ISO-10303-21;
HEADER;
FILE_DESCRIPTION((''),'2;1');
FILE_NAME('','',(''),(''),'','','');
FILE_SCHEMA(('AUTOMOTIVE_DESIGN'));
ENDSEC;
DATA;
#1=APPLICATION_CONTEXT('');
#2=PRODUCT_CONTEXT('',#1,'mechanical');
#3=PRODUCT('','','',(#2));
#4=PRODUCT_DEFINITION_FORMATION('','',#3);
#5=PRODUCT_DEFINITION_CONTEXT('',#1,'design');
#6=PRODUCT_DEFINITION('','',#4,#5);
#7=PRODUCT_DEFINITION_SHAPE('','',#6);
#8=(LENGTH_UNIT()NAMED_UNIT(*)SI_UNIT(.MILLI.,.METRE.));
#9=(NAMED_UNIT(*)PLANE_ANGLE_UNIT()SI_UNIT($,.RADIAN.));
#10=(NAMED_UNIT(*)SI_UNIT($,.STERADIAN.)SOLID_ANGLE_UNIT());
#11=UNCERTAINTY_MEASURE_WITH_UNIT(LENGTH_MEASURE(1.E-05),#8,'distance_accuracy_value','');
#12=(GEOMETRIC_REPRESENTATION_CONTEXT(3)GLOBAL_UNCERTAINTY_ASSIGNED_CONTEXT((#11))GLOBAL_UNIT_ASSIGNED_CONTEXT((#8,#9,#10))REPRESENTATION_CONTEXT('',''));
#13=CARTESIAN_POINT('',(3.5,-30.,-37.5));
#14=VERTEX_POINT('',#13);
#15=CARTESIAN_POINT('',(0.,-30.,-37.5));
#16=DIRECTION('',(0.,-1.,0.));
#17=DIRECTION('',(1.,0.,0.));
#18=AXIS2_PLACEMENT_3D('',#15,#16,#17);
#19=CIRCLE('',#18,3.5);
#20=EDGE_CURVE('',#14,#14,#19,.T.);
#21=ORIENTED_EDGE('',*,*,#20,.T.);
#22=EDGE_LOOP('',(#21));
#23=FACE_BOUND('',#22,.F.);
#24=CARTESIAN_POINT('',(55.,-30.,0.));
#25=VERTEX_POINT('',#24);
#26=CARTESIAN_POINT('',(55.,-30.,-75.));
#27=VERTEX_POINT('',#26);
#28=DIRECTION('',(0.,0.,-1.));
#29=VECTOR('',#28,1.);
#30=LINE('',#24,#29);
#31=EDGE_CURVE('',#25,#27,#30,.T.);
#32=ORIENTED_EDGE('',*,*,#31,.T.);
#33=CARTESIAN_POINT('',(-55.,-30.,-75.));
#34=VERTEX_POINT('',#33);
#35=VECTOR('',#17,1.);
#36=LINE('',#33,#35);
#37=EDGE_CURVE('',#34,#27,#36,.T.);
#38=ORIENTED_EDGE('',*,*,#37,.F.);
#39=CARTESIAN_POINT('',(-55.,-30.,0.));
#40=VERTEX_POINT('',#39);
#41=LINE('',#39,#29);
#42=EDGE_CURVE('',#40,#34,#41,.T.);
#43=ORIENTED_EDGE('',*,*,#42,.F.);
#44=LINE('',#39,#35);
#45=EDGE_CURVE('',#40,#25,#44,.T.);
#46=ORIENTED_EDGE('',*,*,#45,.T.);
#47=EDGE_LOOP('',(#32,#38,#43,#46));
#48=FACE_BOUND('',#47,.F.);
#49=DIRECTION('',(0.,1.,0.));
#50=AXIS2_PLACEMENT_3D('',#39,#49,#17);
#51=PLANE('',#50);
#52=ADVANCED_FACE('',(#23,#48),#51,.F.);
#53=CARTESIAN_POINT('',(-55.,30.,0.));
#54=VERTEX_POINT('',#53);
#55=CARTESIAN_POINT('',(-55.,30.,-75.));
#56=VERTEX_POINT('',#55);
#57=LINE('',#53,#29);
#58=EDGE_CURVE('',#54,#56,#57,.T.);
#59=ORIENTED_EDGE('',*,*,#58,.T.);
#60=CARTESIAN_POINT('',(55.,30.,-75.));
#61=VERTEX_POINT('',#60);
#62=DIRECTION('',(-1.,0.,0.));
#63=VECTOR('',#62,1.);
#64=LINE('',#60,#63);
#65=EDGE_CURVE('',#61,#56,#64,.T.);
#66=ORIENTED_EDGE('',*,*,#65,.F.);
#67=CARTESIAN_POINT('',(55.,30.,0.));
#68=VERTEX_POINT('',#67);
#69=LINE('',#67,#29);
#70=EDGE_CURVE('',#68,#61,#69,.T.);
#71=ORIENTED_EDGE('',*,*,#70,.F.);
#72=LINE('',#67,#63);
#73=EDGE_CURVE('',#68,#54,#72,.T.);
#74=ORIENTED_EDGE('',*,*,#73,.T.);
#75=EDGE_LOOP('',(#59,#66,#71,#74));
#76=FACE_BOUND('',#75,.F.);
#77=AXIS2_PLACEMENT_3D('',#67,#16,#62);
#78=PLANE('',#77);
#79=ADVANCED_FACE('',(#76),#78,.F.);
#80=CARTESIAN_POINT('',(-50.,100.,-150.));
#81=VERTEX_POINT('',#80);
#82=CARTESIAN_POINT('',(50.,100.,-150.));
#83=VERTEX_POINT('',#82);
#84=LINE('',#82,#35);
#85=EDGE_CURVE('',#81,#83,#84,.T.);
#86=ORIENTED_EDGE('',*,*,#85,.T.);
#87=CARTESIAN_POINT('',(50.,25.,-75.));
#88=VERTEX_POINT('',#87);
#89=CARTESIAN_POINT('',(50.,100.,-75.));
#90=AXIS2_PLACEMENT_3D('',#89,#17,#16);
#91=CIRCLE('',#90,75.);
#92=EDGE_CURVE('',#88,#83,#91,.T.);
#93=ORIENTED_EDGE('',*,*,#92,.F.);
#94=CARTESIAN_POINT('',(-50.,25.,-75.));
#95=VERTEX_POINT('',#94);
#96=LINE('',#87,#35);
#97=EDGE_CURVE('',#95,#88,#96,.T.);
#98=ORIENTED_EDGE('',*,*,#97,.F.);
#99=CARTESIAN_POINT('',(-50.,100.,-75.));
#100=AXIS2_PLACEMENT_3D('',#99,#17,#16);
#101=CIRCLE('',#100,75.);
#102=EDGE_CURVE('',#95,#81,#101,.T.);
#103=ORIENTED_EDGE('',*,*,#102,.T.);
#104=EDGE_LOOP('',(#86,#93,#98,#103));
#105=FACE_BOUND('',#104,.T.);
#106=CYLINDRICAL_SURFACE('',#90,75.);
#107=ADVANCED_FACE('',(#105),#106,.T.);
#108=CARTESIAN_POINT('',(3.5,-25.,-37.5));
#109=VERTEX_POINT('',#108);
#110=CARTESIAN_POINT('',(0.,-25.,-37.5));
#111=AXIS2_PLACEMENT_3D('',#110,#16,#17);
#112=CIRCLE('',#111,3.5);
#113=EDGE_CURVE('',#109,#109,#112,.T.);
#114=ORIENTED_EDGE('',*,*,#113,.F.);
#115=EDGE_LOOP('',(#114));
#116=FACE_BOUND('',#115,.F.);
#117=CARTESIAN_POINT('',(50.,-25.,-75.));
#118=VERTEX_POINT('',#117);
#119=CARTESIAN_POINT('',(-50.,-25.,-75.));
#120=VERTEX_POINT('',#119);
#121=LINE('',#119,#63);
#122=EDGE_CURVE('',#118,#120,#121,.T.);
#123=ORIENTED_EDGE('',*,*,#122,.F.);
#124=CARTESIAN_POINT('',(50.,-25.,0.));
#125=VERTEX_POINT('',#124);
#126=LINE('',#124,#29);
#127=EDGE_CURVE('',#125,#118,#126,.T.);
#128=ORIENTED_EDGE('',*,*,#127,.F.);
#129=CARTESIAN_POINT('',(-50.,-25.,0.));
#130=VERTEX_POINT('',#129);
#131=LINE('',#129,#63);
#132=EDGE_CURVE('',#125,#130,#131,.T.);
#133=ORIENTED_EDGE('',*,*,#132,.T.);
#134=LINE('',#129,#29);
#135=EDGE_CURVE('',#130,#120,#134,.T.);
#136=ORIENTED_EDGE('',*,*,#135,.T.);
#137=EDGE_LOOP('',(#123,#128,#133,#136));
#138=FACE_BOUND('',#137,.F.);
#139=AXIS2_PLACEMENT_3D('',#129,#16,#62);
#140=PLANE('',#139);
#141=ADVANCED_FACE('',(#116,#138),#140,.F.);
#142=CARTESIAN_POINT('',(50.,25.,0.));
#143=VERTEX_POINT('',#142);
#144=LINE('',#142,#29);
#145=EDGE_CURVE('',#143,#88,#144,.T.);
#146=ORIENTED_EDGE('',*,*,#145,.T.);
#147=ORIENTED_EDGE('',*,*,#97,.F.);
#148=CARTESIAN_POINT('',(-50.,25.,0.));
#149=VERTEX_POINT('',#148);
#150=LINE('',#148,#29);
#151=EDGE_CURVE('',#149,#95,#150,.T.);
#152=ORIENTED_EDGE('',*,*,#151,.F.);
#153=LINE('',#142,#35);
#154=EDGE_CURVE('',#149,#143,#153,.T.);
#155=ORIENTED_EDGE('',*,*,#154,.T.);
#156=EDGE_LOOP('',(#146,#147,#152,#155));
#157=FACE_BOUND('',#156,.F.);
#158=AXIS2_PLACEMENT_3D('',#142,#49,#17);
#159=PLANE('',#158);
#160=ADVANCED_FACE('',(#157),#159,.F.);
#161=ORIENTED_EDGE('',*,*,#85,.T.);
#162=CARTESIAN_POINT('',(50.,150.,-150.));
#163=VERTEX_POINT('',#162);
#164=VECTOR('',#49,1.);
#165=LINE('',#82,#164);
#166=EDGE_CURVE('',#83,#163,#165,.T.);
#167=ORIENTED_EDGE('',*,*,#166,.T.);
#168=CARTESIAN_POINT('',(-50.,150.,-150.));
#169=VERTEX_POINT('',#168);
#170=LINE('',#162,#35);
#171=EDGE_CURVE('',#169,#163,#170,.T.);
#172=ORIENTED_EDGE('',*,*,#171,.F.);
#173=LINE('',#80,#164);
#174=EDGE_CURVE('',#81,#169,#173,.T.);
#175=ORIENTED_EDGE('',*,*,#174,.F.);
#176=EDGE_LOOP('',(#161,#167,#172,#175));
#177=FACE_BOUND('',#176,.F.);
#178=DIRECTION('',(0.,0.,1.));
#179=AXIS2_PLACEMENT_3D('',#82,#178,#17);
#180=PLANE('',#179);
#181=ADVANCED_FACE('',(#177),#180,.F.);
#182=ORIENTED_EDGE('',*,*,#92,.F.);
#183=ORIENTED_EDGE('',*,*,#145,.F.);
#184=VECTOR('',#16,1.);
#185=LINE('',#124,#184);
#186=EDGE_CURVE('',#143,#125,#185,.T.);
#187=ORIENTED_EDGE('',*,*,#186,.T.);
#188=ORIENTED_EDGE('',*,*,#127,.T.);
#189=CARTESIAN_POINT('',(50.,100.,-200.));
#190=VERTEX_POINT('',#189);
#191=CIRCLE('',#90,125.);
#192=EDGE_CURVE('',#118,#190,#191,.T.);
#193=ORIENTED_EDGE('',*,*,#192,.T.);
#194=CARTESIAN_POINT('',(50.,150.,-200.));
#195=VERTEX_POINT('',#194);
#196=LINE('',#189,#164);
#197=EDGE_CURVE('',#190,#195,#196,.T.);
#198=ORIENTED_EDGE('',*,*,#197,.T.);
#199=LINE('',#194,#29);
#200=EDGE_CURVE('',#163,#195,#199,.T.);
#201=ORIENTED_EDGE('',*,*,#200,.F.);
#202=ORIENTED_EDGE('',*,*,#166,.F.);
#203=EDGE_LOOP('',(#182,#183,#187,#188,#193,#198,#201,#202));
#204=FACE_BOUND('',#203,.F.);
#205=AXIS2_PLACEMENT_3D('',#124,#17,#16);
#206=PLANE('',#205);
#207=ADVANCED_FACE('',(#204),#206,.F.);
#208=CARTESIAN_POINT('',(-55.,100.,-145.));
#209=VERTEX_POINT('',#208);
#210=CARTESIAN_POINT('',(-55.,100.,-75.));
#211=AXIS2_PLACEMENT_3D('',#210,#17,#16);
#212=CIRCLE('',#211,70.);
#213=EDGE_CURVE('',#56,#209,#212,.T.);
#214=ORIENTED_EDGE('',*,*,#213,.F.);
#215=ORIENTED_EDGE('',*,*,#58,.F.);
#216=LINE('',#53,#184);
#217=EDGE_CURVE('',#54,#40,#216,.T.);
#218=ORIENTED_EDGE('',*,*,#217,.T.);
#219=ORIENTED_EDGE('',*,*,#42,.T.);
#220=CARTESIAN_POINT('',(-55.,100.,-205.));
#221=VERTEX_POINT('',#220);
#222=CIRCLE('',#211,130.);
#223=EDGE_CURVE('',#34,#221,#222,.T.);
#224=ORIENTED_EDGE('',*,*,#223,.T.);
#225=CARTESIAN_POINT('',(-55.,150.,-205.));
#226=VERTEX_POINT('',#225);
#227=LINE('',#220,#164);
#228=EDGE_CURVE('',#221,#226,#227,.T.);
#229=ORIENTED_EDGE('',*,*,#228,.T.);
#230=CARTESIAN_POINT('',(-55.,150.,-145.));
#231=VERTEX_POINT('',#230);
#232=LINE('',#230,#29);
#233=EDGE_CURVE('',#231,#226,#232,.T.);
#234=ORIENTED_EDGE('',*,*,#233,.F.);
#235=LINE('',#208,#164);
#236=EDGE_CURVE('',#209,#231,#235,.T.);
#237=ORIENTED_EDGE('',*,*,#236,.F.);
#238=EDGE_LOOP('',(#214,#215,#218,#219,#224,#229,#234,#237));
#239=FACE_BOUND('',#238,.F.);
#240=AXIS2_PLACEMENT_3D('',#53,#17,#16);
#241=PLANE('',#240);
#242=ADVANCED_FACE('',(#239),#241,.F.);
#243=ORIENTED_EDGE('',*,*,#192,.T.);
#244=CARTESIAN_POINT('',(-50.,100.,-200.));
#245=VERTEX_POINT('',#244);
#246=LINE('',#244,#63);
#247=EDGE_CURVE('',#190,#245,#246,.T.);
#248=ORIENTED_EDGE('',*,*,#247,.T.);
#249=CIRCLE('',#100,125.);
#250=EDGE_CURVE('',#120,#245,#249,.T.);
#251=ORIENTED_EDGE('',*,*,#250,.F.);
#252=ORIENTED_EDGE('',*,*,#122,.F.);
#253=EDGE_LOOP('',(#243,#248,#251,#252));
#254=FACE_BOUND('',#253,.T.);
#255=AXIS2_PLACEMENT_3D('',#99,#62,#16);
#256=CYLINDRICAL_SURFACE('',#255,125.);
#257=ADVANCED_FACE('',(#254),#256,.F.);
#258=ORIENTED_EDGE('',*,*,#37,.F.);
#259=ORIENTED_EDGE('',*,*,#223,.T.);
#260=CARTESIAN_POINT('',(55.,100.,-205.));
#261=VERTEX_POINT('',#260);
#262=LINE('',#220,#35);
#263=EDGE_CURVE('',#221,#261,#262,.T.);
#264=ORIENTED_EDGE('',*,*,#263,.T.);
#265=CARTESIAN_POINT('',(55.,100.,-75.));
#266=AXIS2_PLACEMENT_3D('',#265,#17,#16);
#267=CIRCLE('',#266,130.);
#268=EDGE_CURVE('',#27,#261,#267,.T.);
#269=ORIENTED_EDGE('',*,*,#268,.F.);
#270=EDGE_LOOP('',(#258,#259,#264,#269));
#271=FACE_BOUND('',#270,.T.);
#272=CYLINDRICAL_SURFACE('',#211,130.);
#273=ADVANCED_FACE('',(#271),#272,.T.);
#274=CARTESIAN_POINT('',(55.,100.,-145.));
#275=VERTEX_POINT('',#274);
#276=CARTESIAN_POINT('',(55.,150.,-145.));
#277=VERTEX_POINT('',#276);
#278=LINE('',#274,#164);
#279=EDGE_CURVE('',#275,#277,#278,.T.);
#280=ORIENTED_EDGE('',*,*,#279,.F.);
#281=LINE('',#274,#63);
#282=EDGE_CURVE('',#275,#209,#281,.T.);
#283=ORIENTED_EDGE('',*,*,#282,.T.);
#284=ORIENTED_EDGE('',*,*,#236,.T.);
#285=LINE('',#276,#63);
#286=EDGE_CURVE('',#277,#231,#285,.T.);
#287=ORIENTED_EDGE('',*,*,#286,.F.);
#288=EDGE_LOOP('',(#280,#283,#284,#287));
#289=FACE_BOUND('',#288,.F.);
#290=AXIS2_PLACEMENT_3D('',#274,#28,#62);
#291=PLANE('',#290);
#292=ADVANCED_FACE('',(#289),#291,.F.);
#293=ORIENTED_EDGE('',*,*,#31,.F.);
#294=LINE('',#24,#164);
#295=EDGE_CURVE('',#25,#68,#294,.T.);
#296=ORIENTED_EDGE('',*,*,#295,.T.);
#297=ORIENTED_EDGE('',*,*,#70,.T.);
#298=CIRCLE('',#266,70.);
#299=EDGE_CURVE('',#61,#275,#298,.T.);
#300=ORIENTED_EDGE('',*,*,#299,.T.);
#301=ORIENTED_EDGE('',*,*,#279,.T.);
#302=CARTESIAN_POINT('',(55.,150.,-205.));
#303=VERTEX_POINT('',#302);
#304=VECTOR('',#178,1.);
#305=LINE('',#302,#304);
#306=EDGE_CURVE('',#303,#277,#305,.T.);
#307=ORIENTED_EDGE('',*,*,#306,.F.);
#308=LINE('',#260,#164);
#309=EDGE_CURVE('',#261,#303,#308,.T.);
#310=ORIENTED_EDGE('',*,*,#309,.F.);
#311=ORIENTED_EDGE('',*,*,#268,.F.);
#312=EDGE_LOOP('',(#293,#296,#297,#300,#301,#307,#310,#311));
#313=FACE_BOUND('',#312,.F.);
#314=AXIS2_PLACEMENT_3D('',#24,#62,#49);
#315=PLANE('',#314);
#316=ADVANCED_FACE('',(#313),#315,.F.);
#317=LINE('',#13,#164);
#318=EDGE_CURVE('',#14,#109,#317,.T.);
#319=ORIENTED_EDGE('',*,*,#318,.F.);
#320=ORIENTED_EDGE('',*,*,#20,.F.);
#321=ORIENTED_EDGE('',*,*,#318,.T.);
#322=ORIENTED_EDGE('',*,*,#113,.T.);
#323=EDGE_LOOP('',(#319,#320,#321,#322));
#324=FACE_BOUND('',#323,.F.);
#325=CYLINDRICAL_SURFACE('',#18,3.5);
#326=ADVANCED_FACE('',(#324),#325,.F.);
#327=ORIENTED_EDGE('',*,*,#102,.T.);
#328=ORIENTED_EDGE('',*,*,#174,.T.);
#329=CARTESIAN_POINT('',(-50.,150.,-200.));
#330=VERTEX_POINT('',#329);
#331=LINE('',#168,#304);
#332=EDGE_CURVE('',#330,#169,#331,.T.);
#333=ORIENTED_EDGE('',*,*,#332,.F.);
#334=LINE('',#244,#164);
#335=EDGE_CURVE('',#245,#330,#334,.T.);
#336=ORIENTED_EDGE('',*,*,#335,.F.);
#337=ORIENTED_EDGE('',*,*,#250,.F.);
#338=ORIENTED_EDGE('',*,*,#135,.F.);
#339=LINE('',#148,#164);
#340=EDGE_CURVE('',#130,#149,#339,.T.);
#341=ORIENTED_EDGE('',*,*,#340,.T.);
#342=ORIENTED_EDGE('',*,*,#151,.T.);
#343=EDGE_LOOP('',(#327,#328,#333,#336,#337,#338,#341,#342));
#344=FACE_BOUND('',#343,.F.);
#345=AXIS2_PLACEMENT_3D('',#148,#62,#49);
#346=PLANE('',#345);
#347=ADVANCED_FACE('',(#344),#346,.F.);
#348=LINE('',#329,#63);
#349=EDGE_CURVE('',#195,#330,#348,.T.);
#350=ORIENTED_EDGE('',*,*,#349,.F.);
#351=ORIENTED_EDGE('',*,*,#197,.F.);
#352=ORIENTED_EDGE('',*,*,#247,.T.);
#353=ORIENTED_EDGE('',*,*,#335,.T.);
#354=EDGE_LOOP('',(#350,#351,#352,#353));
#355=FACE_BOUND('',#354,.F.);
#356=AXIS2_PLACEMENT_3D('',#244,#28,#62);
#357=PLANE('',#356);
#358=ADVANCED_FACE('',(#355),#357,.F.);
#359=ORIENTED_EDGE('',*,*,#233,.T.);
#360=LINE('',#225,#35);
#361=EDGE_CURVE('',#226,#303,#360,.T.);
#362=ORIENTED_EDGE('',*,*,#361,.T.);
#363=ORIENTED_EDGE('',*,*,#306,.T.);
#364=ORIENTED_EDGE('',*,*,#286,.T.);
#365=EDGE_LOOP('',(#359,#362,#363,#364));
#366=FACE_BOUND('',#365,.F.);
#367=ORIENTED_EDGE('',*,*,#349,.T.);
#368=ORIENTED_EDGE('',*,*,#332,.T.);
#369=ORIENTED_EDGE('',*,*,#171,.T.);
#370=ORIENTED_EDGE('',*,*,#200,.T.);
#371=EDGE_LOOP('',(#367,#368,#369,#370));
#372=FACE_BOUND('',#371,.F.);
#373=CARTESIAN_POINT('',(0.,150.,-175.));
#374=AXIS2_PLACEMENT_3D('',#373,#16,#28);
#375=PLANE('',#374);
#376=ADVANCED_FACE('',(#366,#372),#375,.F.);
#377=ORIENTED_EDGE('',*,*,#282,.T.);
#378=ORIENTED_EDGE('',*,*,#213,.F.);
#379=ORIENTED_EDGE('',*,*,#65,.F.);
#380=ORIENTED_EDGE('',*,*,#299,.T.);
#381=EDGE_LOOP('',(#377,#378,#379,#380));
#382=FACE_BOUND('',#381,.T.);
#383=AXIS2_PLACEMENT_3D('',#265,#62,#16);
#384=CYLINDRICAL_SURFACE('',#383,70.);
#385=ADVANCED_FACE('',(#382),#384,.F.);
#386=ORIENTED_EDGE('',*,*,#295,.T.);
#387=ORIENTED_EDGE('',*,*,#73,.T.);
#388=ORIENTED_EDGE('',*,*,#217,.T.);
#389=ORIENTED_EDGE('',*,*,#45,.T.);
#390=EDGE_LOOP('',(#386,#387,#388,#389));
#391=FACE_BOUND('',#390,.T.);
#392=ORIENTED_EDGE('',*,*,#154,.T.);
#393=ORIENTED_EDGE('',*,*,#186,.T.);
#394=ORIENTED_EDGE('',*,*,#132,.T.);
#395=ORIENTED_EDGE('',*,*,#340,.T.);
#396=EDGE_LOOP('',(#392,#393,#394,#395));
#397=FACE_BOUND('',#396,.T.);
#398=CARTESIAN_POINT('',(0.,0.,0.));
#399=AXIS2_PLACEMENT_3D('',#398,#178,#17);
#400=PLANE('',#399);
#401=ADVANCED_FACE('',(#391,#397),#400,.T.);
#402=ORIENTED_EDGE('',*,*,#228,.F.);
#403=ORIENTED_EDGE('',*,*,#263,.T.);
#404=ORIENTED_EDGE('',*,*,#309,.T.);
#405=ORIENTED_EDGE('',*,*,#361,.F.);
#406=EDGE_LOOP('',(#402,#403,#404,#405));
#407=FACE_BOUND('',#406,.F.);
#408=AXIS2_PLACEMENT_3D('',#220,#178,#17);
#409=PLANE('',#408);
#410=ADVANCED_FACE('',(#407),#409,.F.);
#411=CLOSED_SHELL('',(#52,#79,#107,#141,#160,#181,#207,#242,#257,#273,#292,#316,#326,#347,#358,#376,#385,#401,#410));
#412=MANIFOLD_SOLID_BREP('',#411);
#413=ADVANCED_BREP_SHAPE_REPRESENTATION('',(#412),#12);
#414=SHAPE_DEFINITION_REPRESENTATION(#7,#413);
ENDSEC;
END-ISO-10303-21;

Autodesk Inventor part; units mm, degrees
ref_plane "YZ Plane" through (0, 0, 0) normal (1, 0, 0) x (0, 1, 0)
ref_plane "XZ Plane" through (0, 0, 0) normal (0, 1, 0) x (-1, 0, 0)
ref_plane "XY Plane" through (0, 0, 0) normal (0, 0, 1) x (1, 0, 0)
sketch "Sketch2" plane through (0, 0, 0) normal (0, 0, 1) x (1, 0, 0)
  line L0 (-50, -25) -> (50, -25)
  line L1 (50, -25) -> (50, 25)
  line L2 (50, 25) -> (-50, 25)
  line L3 (-50, 25) -> (-50, -25)
  line L4 (-50, -25) -> (50, 25) construction
  line L5 (50, -25) -> (-50, 25) construction
  line L6 (-55, -30) -> (55, -30)
  line L7 (55, -30) -> (55, 30)
  line L8 (55, 30) -> (-55, 30)
  line L9 (-55, 30) -> (-55, -30)
  line L10 (-55, -30) -> (55, 30) construction
  line L11 (55, -30) -> (-55, 30) construction
  point P0 (0, 0)
  dimension "d0" = 100
  dimension "d1" = 50
  dimension "d2" = 110
  dimension "d3" = 60
sketch "Sketch3" plane through (0, 0, 0) normal (1, 0, 0) x (0, 1, 0)
  line L0 (0, 0) -> (0, -75)
  arc A0 (0, -75) -> (100, -175) centre (100, -75) ccw
  line L1 (100, -75) -> (100, -175) construction
  line L2 (100, -75) -> (0, -75) construction
  line L3 (100, -175) -> (150, -175)
sweep "Sweep1" add profiles "Sketch2" path "Sketch3"
sketch "Sketch4" plane through (-55, -30, 0) normal (0, -1, 0) x (1, 0, 0)
  circle A0 centre (55, -37.5) radius 3.5
  point P0 (55, 0)
  dimension "d9" = 7
extrude "Extrusion1" cut sketch "Sketch4" against normal blind 10
properties part number "RecTubeNewTapping"
